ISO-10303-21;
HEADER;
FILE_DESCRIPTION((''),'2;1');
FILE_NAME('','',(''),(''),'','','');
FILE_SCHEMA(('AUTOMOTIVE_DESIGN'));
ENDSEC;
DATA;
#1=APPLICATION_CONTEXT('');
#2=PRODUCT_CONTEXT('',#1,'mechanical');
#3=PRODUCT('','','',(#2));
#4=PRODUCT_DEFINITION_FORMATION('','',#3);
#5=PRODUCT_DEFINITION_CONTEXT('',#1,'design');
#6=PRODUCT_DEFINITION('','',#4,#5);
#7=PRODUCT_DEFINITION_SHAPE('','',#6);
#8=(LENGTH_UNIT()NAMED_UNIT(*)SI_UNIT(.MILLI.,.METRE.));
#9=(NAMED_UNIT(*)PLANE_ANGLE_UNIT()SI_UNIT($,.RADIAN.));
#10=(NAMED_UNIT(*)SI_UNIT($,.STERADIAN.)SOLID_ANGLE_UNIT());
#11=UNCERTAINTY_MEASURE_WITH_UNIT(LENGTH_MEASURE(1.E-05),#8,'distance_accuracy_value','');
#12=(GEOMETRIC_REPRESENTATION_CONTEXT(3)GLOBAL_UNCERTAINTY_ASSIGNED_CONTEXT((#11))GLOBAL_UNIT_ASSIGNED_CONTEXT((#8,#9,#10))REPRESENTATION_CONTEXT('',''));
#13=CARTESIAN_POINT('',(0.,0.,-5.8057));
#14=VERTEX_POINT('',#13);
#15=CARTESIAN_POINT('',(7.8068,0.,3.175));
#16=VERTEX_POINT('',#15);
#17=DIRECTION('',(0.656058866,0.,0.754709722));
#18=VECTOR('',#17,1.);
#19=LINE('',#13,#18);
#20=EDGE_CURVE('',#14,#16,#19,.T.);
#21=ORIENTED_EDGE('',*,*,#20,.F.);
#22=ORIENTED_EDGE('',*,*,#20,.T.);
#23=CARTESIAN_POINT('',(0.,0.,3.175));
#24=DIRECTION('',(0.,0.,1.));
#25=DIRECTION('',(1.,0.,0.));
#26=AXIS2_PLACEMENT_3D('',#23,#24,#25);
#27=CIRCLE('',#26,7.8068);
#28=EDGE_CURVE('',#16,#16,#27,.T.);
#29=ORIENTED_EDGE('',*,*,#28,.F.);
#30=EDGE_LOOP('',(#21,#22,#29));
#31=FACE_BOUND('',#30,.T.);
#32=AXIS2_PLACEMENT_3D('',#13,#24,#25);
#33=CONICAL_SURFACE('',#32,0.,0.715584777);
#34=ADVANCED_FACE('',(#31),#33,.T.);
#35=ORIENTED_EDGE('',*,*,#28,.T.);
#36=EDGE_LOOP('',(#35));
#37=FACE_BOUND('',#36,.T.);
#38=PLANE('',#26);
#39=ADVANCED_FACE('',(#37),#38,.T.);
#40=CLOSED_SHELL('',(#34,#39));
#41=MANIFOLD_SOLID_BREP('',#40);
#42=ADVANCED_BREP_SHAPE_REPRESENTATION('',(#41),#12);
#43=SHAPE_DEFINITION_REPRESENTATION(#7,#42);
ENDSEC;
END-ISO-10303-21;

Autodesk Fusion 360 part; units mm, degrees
sketch "Sketch6" plane through (0, 0, 0) normal (0, 1, 0) x (1, 0, 0)
  line L0 (0, 5.8057) -> (0, -128.793)
  line L1 (0, 5.8057) -> (7.8068, -3.175)
  line L2 (7.8068, -3.175) -> (0, -3.175)
  line L3 (0, 0) -> (5.0468, 0) construction
  line L4 (4.826, 0.254) -> (0, 0.254) construction
  line L5 (1.75, 0) -> (22.5, 0) construction
  dimension "d57" = 41
  dimension "d59" = 0.254
  dimension "d60" = 9.652
  dimension "d61" = 3.175
revolve "Revolve1" add sketch "Sketch6" angle 360 about axis through (0, 0, -5.8057) along (0, 0, 1)
equation "d57 = ( 82 / 2 ) * 1 °"
equation "d59 = 0.01 \""
equation "d60 = 0.38 \""
equation "d61 = 0.125 \""
equation "d62 = 0.00 \""
equation "d63 = 0.00 \""
equation "d64 = 0.00 \""
